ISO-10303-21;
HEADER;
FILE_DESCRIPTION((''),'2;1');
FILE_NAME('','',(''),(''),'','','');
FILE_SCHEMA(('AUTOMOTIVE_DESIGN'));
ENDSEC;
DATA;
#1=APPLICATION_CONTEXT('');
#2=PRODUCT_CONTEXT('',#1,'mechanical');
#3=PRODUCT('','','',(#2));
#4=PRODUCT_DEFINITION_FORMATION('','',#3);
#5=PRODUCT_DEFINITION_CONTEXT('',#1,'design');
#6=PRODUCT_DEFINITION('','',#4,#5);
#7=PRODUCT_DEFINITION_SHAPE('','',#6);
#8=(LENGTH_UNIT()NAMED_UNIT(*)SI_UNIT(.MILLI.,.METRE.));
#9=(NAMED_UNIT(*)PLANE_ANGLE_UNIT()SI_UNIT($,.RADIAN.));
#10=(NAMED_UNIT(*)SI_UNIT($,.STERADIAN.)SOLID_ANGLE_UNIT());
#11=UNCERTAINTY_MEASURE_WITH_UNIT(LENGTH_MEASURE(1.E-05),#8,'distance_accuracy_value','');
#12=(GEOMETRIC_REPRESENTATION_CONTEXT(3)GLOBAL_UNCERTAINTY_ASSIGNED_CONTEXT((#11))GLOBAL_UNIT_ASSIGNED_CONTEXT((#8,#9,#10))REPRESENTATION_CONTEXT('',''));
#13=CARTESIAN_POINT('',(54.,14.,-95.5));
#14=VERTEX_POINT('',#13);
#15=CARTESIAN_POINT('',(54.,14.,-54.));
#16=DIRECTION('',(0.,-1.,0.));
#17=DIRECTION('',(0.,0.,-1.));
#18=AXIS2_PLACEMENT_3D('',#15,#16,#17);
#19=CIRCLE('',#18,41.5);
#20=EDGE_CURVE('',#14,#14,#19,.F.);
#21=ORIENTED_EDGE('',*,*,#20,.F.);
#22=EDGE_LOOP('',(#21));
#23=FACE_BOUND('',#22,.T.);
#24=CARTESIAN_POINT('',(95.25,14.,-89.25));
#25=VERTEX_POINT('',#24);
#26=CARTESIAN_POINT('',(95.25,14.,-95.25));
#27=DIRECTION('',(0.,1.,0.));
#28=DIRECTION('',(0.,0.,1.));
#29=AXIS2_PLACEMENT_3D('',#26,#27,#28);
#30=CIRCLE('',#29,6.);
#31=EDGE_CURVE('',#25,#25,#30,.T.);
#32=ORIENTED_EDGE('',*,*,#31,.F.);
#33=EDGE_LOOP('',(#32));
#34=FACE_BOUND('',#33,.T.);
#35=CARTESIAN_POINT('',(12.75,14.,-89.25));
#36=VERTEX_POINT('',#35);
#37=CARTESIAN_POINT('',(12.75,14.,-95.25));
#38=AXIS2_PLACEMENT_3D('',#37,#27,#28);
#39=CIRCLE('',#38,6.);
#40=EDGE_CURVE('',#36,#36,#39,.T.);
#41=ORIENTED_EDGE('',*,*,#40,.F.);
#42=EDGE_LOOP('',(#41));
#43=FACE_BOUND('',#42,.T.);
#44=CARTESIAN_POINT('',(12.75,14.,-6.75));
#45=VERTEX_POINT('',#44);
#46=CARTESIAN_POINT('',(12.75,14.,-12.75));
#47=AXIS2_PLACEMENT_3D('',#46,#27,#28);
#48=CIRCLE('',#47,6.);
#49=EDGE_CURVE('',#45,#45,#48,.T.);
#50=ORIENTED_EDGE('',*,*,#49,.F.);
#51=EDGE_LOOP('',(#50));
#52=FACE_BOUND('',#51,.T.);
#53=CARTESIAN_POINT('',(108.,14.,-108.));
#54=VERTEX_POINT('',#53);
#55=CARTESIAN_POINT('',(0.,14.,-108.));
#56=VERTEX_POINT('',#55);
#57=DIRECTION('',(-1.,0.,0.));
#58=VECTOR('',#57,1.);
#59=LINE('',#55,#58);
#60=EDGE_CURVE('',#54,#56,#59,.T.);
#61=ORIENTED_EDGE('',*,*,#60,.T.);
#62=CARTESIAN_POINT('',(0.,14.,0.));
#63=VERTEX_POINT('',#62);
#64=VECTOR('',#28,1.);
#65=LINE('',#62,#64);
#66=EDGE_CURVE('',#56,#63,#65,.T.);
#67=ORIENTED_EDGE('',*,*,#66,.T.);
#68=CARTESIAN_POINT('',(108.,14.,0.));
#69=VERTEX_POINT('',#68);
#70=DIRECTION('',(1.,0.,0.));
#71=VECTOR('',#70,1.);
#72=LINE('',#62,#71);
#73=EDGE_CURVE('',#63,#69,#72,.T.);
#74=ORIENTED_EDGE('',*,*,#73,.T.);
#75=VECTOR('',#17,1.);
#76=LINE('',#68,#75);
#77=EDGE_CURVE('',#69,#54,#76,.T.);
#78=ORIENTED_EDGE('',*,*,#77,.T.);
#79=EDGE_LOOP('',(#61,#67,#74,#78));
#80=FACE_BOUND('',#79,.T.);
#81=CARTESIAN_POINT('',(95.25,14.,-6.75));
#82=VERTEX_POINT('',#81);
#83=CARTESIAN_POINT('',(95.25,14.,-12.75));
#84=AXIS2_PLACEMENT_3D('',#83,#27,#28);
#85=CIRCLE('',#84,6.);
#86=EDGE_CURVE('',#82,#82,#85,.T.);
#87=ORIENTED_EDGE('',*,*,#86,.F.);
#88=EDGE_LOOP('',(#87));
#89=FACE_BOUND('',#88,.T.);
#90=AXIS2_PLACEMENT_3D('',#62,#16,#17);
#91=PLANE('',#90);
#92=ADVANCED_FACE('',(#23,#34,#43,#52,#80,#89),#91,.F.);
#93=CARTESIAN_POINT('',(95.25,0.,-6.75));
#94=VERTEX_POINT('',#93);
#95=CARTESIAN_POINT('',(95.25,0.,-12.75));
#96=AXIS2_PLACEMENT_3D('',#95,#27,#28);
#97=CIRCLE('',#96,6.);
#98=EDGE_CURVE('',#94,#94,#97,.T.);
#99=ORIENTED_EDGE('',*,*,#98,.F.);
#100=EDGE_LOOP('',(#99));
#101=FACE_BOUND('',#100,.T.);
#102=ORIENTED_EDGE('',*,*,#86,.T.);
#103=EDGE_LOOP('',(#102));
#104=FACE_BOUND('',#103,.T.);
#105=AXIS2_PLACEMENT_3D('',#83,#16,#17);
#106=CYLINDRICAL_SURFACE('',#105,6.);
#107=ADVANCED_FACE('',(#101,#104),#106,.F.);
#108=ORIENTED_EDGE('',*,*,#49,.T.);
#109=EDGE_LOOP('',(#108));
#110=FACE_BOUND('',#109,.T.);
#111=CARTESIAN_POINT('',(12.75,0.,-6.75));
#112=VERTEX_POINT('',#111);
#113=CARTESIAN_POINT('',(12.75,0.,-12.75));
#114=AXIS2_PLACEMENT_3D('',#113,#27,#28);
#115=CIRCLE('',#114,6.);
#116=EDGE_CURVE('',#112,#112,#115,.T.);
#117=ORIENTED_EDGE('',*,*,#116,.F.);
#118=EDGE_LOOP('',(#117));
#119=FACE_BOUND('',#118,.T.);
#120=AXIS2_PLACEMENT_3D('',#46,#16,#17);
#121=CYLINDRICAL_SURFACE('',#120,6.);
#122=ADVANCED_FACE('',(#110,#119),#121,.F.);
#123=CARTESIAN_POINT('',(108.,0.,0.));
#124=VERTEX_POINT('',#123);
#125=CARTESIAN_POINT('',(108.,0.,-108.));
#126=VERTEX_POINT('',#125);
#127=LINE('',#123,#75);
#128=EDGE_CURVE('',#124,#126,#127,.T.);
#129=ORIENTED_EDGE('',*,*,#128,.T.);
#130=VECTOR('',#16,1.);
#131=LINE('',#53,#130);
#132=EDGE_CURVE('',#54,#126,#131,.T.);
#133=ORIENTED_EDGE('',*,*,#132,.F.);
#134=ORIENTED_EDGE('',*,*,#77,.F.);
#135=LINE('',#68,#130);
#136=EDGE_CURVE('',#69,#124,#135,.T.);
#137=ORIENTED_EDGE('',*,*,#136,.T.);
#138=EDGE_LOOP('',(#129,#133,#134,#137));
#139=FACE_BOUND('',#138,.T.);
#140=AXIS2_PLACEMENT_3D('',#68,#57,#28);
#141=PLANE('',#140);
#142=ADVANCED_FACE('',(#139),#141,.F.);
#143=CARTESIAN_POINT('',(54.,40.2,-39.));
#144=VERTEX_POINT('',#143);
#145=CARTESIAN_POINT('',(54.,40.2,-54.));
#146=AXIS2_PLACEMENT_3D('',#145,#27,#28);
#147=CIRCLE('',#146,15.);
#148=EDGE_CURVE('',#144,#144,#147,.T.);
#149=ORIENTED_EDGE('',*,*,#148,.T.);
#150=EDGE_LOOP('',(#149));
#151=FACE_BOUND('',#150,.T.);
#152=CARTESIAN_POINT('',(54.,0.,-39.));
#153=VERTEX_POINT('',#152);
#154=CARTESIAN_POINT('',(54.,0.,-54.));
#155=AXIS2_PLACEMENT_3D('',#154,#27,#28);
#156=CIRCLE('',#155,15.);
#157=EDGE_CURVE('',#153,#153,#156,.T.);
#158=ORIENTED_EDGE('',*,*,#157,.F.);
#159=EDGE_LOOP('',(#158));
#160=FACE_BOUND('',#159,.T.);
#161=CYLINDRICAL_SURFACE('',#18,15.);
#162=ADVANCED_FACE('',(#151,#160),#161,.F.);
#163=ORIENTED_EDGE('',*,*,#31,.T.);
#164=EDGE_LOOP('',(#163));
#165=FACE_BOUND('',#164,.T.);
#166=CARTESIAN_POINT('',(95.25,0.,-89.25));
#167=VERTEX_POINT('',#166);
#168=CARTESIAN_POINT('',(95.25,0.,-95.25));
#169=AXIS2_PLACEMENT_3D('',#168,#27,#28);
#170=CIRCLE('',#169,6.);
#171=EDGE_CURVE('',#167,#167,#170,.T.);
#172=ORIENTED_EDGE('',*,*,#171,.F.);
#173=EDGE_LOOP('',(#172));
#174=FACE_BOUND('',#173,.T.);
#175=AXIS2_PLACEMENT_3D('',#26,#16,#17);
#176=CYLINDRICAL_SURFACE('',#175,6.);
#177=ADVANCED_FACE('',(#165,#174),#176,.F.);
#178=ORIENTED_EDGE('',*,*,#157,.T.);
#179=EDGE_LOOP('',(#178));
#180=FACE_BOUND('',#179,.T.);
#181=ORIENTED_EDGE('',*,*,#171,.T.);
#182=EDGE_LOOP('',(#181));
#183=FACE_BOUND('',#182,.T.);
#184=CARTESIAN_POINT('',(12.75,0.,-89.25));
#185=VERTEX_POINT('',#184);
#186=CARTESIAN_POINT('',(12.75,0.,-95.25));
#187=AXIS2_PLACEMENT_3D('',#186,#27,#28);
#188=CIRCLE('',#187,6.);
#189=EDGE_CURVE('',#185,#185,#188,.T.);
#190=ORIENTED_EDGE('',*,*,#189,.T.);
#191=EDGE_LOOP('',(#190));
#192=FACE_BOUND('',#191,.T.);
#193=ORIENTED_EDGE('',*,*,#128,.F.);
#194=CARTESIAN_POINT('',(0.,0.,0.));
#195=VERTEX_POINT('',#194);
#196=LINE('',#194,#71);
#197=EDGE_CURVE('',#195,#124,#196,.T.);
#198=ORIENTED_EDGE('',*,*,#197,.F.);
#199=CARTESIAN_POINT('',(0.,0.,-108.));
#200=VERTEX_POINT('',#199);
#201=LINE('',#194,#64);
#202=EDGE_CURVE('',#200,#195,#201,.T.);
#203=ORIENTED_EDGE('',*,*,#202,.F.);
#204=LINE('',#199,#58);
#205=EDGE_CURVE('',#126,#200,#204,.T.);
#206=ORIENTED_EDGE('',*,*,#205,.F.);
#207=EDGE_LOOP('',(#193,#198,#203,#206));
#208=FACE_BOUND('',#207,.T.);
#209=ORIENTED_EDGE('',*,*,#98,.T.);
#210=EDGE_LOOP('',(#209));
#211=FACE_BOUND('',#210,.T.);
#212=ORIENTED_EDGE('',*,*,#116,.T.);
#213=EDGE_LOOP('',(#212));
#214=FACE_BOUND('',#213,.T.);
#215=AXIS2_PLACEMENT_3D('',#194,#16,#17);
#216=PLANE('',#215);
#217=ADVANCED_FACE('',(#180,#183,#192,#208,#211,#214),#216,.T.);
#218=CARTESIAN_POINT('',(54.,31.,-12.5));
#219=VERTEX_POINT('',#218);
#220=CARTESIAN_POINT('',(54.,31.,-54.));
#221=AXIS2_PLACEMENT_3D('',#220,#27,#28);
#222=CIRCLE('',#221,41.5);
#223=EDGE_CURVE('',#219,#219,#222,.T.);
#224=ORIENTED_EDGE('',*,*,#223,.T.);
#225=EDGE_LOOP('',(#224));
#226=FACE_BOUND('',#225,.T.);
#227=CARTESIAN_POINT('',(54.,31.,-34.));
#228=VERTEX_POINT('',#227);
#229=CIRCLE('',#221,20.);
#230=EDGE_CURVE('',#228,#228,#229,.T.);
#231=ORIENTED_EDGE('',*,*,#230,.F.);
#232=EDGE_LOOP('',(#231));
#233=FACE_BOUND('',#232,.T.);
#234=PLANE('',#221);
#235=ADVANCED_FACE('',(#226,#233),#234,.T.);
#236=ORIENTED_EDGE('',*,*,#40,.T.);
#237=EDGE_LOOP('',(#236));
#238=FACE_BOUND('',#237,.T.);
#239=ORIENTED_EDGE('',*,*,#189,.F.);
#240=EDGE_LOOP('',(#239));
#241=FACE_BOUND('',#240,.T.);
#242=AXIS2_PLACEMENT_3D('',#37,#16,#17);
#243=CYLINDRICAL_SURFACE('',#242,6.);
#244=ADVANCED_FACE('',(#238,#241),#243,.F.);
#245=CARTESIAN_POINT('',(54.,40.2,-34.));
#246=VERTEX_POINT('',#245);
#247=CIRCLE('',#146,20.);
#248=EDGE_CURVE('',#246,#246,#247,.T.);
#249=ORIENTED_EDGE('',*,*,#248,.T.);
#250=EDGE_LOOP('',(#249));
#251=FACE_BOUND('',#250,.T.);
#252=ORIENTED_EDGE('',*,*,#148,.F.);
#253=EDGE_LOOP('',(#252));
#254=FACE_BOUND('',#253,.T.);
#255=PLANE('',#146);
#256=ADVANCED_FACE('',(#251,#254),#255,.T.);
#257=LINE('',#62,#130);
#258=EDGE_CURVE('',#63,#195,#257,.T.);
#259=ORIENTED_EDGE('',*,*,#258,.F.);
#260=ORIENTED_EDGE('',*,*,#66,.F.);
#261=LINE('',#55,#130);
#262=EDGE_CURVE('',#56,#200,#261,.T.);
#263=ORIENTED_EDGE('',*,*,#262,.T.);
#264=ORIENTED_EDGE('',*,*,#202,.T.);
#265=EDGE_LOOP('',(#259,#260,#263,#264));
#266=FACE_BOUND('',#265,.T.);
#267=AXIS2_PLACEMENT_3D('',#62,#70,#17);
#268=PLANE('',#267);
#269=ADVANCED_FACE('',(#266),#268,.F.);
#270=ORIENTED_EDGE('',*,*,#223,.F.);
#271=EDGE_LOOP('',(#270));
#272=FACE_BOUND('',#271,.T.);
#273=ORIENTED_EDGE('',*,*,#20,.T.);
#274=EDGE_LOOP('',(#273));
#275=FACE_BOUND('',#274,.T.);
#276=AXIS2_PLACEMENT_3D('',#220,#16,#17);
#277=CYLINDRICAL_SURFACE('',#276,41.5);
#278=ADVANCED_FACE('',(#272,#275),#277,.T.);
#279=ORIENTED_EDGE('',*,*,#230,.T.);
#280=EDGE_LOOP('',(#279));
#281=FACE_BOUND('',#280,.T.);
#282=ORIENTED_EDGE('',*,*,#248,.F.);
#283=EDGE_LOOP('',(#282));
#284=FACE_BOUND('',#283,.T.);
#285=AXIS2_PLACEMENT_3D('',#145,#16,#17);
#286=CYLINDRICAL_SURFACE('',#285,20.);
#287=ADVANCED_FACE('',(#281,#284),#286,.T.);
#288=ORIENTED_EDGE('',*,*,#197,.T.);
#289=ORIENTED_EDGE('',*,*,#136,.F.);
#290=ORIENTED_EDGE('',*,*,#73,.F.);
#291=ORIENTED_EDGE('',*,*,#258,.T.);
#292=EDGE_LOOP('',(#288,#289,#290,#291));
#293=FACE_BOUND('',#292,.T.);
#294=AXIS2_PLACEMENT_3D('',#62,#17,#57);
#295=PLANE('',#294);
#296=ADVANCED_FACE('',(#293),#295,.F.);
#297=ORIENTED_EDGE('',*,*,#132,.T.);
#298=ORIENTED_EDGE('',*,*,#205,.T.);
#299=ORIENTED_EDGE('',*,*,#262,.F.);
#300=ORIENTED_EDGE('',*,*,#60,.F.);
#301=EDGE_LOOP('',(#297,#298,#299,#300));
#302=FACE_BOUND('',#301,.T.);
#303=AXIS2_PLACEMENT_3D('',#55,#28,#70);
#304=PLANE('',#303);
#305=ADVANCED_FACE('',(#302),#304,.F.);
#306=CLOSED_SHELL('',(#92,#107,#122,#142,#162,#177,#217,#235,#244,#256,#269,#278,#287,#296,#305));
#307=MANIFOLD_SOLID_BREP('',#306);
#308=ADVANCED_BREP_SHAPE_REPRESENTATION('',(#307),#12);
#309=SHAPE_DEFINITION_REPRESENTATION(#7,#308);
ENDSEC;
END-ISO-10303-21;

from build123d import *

# Parameters (mm, degrees)
SKETCH1_W           = 108
SKETCH1_H           = 108
SKETCH1_R           = 6
SKETCH1_R_2         = 15
BOSS_EXTRUDE1_DEPTH = 14
SKETCH2_R           = 20
SKETCH2_R_2         = 15
BOSS_EXTRUDE2_DEPTH = 26.2
SKETCH3_R           = 41.5
SKETCH3_R_2         = 15
BOSS_EXTRUDE3_DEPTH = 17


with BuildPart() as part:
    # Sketch1 → Boss-Extrude1 (new body)
    with BuildSketch(Plane(origin=(0, 0, 0), x_dir=(1, 0, 0), z_dir=(0, 1, 0))):
        with Locations((54, 54)):
            Rectangle(SKETCH1_W, SKETCH1_H)
        with Locations(Location((12.75, 12.75, 0), (0, 0, 270))):
            Circle(SKETCH1_R, mode=Mode.SUBTRACT)
        with Locations(Location((54, 54, 0), (0, 0, 270))):
            Circle(SKETCH1_R_2, mode=Mode.SUBTRACT)
        with Locations(Location((95.25, 12.75, 0), (0, 0, 270))):
            Circle(SKETCH1_R, mode=Mode.SUBTRACT)
        with Locations(Location((95.25, 95.25, 0), (0, 0, 270))):
            Circle(SKETCH1_R, mode=Mode.SUBTRACT)
        with Locations(Location((12.75, 95.25, 0), (0, 0, 270))):
            Circle(SKETCH1_R, mode=Mode.SUBTRACT)
    extrude(amount=BOSS_EXTRUDE1_DEPTH)

    # Sketch2 → Boss-Extrude2 (add)
    with BuildSketch(Plane(origin=(0, 14, 0), x_dir=(1, 0, 0), z_dir=(0, 1, 0))):
        with Locations(Location((54, 54, 0), (0, 0, 90))):
            Circle(SKETCH2_R)
        with Locations(Location((54, 54, 0), (0, 0, 270))):
            Circle(SKETCH2_R_2, mode=Mode.SUBTRACT)
    extrude(amount=BOSS_EXTRUDE2_DEPTH)

    # Sketch3 → Boss-Extrude3 (add)
    with BuildSketch(Plane(origin=(0, 14, 0), x_dir=(1, 0, 0), z_dir=(0, 1, 0))):
        with Locations(Location((54, 54, 0), (0, 0, 90))):
            Circle(SKETCH3_R)
        with Locations(Location((54, 54, 0), (0, 0, 270))):
            Circle(SKETCH3_R_2, mode=Mode.SUBTRACT)
    extrude(amount=BOSS_EXTRUDE3_DEPTH)


solid = part.part
